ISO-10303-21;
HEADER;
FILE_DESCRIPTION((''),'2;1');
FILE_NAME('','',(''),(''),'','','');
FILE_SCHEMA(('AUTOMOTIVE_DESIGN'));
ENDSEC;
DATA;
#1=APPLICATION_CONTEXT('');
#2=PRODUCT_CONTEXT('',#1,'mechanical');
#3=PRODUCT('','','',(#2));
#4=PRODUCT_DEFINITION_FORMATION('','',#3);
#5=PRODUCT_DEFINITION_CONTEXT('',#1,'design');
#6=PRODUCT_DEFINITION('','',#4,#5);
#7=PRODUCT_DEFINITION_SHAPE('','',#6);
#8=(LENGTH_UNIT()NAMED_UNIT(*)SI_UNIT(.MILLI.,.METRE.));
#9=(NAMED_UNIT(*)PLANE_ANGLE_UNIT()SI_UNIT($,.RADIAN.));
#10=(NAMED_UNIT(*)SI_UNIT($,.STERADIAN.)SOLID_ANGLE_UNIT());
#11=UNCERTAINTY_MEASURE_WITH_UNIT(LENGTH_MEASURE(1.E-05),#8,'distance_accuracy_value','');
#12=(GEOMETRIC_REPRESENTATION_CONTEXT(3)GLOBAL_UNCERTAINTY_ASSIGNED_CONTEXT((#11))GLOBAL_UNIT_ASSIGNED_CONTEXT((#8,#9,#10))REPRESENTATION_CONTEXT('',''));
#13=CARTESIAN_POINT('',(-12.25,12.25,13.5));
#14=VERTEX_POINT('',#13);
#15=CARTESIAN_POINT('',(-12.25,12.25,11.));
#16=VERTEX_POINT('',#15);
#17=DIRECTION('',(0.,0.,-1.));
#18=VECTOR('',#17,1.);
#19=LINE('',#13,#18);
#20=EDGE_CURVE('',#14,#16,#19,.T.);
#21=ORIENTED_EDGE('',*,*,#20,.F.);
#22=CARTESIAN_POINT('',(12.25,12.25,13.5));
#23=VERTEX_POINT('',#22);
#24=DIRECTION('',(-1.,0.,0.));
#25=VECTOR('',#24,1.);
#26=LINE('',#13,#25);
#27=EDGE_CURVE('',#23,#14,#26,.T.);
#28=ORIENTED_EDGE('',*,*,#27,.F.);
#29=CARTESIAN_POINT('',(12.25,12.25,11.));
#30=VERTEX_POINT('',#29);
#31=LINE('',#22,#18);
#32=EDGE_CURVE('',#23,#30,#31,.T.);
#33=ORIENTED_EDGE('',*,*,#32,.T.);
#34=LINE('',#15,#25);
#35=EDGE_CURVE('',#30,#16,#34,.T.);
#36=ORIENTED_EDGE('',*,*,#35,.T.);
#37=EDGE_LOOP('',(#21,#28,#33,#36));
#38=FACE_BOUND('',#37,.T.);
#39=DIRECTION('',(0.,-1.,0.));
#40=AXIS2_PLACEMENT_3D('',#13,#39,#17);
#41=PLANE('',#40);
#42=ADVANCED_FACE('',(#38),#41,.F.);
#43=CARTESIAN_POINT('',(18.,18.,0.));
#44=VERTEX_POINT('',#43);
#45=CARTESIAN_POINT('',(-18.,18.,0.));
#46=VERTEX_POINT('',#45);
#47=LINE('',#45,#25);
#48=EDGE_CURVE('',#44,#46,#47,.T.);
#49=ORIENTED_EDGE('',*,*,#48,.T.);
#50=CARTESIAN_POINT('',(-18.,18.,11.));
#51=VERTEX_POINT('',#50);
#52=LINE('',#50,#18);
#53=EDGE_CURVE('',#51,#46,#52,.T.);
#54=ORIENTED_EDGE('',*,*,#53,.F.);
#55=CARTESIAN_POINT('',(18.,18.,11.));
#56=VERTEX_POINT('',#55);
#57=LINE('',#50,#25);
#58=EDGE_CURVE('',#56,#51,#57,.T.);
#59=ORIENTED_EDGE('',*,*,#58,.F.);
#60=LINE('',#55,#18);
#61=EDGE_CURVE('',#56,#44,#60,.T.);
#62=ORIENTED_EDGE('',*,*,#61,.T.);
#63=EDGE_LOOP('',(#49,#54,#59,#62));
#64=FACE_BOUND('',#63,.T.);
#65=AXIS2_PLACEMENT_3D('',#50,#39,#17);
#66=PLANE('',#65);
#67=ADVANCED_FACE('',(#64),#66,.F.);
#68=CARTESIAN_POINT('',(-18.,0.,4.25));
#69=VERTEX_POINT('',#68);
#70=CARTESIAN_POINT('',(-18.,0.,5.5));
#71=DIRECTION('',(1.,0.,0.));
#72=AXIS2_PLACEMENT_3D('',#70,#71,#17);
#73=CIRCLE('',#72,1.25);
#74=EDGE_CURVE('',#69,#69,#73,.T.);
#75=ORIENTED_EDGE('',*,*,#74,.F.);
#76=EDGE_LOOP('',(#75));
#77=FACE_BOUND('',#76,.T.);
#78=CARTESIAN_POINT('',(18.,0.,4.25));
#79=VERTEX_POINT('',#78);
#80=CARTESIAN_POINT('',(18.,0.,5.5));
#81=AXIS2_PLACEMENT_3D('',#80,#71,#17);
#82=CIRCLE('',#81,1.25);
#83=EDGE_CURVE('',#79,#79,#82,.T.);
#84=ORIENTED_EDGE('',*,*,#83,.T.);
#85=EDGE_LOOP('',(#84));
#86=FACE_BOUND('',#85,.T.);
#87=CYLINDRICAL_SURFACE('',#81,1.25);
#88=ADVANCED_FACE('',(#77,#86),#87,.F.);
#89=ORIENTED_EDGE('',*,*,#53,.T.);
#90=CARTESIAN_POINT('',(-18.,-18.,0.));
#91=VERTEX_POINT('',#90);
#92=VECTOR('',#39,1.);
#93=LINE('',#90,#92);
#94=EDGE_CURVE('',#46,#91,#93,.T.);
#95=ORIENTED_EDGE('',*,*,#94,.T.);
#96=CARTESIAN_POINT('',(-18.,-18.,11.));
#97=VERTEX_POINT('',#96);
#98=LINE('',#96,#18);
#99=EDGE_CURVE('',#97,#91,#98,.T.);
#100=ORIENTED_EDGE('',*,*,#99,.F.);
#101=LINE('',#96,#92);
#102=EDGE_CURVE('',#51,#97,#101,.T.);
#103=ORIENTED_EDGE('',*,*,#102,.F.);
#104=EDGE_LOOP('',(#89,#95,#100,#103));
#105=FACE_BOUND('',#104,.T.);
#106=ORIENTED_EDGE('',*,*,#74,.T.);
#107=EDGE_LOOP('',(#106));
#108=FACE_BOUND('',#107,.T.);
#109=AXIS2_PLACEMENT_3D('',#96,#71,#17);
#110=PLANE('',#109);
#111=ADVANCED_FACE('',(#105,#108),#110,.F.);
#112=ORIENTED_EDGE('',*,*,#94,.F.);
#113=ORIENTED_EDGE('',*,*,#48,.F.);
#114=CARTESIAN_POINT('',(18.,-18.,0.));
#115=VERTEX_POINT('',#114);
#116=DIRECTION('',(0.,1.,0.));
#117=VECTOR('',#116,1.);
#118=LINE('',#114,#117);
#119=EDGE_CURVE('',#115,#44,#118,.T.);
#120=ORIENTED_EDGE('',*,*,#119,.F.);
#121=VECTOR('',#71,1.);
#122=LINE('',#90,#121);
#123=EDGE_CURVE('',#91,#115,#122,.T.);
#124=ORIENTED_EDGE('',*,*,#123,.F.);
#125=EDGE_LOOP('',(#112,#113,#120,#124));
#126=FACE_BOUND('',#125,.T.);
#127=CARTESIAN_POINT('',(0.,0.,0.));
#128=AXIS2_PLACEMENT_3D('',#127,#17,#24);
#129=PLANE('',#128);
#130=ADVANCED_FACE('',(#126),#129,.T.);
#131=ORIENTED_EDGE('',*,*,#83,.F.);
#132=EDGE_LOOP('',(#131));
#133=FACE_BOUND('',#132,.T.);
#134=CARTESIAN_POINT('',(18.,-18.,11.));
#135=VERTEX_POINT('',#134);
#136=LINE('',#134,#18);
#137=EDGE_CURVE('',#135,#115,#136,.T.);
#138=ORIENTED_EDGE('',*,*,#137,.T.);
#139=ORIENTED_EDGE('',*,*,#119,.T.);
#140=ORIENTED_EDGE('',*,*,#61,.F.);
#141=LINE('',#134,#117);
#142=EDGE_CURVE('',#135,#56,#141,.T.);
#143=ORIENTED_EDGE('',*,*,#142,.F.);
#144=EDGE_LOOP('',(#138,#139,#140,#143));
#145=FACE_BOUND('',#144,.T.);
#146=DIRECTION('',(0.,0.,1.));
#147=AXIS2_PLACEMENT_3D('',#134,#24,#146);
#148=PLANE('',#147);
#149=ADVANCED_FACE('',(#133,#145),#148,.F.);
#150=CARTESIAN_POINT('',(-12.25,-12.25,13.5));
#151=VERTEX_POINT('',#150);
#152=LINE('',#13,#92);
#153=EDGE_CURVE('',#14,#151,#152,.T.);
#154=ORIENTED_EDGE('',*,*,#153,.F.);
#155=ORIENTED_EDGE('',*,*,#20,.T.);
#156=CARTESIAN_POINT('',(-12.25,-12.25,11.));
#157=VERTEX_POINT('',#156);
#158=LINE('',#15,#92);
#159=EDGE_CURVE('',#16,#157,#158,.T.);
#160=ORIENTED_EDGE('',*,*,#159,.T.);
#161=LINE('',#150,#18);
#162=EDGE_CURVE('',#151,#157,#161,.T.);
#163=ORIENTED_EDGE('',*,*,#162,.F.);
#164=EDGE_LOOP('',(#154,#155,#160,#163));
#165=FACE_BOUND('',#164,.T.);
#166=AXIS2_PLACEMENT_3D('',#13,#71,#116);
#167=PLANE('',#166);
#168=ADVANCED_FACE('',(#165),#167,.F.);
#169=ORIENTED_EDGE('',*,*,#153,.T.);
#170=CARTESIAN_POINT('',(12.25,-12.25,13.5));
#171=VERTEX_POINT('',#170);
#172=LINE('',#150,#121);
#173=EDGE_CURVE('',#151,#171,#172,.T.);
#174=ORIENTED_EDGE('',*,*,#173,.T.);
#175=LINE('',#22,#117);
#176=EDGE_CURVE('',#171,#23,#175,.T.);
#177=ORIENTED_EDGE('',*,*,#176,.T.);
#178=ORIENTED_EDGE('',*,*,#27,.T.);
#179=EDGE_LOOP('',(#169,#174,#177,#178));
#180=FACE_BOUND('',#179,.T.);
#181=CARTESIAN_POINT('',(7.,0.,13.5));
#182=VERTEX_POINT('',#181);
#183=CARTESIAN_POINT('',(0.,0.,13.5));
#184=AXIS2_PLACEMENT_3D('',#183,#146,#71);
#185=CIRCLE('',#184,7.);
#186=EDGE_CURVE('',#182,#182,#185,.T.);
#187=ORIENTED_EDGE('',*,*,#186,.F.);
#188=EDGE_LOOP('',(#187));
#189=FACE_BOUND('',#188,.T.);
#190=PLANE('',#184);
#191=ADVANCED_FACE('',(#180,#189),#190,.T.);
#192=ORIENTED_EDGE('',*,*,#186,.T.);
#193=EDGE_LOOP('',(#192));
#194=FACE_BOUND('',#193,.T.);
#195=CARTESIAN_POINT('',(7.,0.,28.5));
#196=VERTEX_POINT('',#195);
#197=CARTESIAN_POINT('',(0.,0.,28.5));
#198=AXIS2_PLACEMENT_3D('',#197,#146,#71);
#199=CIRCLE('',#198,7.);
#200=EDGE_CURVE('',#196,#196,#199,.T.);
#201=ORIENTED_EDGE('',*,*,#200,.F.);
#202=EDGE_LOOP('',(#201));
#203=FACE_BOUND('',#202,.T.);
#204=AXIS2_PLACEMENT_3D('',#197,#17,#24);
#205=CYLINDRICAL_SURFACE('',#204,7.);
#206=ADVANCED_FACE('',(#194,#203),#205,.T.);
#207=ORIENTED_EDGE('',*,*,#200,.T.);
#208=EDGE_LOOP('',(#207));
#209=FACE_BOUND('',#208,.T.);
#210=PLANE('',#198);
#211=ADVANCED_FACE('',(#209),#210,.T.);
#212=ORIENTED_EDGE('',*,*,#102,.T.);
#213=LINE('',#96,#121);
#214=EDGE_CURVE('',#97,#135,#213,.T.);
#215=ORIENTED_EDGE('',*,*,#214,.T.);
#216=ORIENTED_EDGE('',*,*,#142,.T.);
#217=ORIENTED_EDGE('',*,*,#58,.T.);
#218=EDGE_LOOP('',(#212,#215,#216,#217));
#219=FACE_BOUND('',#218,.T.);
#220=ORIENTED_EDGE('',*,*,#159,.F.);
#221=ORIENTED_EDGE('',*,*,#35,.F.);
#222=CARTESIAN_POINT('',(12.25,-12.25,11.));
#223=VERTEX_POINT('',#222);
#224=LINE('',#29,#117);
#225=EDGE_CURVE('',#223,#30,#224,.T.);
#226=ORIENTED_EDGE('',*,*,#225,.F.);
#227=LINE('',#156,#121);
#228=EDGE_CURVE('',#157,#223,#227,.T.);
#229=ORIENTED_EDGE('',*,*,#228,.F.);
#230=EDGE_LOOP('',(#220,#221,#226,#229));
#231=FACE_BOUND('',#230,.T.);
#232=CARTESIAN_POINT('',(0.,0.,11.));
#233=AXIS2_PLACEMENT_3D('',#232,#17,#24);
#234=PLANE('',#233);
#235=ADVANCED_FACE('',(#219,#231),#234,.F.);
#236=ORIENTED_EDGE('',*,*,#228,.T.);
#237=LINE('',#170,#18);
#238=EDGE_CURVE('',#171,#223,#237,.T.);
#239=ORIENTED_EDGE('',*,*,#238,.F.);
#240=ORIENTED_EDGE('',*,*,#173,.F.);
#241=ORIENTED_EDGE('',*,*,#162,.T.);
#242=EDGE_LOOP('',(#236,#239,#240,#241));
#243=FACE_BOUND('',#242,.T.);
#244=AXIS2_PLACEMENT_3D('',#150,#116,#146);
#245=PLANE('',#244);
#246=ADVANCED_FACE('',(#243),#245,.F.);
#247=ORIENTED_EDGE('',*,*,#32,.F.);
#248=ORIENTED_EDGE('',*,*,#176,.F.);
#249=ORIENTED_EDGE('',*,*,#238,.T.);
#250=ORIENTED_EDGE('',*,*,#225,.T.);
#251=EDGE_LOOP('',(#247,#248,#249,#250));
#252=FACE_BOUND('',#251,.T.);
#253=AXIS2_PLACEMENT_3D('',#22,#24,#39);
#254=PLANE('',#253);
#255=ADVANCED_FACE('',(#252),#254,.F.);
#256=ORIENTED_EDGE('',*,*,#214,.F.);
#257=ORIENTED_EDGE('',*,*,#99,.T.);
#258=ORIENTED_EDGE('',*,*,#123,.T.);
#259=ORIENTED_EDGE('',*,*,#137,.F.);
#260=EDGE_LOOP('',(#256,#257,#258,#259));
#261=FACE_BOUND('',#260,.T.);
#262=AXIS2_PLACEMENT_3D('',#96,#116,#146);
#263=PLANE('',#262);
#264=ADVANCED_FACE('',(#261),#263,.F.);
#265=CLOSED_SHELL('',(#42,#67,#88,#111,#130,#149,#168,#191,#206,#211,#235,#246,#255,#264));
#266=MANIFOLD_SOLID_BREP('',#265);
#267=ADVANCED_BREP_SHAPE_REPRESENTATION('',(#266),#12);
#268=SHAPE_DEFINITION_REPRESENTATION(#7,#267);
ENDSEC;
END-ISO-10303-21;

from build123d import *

# Parameters (mm, degrees)
SKETCH_1_W              = 36
SKETCH_1_H              = 36
EXTRUDE_1_DEPTH         = 11
SKETCH_2_W              = 24.5
SKETCH_2_H              = 24.5
EXTRUDE_2_DEPTH         = 2.5
SKETCH_3_R              = 7
EXTRUDE_3_DEPTH         = 15
HOLE_WIZARD_2_5_2_5_1_D = 2.5


with BuildPart() as part:
    # 草图1 → 凸台-拉伸1 (new body)
    with BuildSketch(Plane.XY):
        Rectangle(SKETCH_1_W, SKETCH_1_H)
    extrude(amount=EXTRUDE_1_DEPTH)

    # 草图2 → 凸台-拉伸2 (add)
    with BuildSketch(Plane.XY.offset(11)):
        Rectangle(SKETCH_2_W, SKETCH_2_H)
    extrude(amount=EXTRUDE_2_DEPTH)

    # 草图3 → 凸台-拉伸3 (add)
    with BuildSketch(Plane.XY.offset(13.5)):
        Circle(SKETCH_3_R)
    extrude(amount=EXTRUDE_3_DEPTH)

    # Ø2.5 (2.5) 直径孔1 (through all)
    with Locations(Plane(origin=(18, 0, 0), x_dir=(0, 0, -1), z_dir=(1, 0, 0))):
        with Locations((-5.5, 0)):
            Hole(HOLE_WIZARD_2_5_2_5_1_D / 2)


solid = part.part
